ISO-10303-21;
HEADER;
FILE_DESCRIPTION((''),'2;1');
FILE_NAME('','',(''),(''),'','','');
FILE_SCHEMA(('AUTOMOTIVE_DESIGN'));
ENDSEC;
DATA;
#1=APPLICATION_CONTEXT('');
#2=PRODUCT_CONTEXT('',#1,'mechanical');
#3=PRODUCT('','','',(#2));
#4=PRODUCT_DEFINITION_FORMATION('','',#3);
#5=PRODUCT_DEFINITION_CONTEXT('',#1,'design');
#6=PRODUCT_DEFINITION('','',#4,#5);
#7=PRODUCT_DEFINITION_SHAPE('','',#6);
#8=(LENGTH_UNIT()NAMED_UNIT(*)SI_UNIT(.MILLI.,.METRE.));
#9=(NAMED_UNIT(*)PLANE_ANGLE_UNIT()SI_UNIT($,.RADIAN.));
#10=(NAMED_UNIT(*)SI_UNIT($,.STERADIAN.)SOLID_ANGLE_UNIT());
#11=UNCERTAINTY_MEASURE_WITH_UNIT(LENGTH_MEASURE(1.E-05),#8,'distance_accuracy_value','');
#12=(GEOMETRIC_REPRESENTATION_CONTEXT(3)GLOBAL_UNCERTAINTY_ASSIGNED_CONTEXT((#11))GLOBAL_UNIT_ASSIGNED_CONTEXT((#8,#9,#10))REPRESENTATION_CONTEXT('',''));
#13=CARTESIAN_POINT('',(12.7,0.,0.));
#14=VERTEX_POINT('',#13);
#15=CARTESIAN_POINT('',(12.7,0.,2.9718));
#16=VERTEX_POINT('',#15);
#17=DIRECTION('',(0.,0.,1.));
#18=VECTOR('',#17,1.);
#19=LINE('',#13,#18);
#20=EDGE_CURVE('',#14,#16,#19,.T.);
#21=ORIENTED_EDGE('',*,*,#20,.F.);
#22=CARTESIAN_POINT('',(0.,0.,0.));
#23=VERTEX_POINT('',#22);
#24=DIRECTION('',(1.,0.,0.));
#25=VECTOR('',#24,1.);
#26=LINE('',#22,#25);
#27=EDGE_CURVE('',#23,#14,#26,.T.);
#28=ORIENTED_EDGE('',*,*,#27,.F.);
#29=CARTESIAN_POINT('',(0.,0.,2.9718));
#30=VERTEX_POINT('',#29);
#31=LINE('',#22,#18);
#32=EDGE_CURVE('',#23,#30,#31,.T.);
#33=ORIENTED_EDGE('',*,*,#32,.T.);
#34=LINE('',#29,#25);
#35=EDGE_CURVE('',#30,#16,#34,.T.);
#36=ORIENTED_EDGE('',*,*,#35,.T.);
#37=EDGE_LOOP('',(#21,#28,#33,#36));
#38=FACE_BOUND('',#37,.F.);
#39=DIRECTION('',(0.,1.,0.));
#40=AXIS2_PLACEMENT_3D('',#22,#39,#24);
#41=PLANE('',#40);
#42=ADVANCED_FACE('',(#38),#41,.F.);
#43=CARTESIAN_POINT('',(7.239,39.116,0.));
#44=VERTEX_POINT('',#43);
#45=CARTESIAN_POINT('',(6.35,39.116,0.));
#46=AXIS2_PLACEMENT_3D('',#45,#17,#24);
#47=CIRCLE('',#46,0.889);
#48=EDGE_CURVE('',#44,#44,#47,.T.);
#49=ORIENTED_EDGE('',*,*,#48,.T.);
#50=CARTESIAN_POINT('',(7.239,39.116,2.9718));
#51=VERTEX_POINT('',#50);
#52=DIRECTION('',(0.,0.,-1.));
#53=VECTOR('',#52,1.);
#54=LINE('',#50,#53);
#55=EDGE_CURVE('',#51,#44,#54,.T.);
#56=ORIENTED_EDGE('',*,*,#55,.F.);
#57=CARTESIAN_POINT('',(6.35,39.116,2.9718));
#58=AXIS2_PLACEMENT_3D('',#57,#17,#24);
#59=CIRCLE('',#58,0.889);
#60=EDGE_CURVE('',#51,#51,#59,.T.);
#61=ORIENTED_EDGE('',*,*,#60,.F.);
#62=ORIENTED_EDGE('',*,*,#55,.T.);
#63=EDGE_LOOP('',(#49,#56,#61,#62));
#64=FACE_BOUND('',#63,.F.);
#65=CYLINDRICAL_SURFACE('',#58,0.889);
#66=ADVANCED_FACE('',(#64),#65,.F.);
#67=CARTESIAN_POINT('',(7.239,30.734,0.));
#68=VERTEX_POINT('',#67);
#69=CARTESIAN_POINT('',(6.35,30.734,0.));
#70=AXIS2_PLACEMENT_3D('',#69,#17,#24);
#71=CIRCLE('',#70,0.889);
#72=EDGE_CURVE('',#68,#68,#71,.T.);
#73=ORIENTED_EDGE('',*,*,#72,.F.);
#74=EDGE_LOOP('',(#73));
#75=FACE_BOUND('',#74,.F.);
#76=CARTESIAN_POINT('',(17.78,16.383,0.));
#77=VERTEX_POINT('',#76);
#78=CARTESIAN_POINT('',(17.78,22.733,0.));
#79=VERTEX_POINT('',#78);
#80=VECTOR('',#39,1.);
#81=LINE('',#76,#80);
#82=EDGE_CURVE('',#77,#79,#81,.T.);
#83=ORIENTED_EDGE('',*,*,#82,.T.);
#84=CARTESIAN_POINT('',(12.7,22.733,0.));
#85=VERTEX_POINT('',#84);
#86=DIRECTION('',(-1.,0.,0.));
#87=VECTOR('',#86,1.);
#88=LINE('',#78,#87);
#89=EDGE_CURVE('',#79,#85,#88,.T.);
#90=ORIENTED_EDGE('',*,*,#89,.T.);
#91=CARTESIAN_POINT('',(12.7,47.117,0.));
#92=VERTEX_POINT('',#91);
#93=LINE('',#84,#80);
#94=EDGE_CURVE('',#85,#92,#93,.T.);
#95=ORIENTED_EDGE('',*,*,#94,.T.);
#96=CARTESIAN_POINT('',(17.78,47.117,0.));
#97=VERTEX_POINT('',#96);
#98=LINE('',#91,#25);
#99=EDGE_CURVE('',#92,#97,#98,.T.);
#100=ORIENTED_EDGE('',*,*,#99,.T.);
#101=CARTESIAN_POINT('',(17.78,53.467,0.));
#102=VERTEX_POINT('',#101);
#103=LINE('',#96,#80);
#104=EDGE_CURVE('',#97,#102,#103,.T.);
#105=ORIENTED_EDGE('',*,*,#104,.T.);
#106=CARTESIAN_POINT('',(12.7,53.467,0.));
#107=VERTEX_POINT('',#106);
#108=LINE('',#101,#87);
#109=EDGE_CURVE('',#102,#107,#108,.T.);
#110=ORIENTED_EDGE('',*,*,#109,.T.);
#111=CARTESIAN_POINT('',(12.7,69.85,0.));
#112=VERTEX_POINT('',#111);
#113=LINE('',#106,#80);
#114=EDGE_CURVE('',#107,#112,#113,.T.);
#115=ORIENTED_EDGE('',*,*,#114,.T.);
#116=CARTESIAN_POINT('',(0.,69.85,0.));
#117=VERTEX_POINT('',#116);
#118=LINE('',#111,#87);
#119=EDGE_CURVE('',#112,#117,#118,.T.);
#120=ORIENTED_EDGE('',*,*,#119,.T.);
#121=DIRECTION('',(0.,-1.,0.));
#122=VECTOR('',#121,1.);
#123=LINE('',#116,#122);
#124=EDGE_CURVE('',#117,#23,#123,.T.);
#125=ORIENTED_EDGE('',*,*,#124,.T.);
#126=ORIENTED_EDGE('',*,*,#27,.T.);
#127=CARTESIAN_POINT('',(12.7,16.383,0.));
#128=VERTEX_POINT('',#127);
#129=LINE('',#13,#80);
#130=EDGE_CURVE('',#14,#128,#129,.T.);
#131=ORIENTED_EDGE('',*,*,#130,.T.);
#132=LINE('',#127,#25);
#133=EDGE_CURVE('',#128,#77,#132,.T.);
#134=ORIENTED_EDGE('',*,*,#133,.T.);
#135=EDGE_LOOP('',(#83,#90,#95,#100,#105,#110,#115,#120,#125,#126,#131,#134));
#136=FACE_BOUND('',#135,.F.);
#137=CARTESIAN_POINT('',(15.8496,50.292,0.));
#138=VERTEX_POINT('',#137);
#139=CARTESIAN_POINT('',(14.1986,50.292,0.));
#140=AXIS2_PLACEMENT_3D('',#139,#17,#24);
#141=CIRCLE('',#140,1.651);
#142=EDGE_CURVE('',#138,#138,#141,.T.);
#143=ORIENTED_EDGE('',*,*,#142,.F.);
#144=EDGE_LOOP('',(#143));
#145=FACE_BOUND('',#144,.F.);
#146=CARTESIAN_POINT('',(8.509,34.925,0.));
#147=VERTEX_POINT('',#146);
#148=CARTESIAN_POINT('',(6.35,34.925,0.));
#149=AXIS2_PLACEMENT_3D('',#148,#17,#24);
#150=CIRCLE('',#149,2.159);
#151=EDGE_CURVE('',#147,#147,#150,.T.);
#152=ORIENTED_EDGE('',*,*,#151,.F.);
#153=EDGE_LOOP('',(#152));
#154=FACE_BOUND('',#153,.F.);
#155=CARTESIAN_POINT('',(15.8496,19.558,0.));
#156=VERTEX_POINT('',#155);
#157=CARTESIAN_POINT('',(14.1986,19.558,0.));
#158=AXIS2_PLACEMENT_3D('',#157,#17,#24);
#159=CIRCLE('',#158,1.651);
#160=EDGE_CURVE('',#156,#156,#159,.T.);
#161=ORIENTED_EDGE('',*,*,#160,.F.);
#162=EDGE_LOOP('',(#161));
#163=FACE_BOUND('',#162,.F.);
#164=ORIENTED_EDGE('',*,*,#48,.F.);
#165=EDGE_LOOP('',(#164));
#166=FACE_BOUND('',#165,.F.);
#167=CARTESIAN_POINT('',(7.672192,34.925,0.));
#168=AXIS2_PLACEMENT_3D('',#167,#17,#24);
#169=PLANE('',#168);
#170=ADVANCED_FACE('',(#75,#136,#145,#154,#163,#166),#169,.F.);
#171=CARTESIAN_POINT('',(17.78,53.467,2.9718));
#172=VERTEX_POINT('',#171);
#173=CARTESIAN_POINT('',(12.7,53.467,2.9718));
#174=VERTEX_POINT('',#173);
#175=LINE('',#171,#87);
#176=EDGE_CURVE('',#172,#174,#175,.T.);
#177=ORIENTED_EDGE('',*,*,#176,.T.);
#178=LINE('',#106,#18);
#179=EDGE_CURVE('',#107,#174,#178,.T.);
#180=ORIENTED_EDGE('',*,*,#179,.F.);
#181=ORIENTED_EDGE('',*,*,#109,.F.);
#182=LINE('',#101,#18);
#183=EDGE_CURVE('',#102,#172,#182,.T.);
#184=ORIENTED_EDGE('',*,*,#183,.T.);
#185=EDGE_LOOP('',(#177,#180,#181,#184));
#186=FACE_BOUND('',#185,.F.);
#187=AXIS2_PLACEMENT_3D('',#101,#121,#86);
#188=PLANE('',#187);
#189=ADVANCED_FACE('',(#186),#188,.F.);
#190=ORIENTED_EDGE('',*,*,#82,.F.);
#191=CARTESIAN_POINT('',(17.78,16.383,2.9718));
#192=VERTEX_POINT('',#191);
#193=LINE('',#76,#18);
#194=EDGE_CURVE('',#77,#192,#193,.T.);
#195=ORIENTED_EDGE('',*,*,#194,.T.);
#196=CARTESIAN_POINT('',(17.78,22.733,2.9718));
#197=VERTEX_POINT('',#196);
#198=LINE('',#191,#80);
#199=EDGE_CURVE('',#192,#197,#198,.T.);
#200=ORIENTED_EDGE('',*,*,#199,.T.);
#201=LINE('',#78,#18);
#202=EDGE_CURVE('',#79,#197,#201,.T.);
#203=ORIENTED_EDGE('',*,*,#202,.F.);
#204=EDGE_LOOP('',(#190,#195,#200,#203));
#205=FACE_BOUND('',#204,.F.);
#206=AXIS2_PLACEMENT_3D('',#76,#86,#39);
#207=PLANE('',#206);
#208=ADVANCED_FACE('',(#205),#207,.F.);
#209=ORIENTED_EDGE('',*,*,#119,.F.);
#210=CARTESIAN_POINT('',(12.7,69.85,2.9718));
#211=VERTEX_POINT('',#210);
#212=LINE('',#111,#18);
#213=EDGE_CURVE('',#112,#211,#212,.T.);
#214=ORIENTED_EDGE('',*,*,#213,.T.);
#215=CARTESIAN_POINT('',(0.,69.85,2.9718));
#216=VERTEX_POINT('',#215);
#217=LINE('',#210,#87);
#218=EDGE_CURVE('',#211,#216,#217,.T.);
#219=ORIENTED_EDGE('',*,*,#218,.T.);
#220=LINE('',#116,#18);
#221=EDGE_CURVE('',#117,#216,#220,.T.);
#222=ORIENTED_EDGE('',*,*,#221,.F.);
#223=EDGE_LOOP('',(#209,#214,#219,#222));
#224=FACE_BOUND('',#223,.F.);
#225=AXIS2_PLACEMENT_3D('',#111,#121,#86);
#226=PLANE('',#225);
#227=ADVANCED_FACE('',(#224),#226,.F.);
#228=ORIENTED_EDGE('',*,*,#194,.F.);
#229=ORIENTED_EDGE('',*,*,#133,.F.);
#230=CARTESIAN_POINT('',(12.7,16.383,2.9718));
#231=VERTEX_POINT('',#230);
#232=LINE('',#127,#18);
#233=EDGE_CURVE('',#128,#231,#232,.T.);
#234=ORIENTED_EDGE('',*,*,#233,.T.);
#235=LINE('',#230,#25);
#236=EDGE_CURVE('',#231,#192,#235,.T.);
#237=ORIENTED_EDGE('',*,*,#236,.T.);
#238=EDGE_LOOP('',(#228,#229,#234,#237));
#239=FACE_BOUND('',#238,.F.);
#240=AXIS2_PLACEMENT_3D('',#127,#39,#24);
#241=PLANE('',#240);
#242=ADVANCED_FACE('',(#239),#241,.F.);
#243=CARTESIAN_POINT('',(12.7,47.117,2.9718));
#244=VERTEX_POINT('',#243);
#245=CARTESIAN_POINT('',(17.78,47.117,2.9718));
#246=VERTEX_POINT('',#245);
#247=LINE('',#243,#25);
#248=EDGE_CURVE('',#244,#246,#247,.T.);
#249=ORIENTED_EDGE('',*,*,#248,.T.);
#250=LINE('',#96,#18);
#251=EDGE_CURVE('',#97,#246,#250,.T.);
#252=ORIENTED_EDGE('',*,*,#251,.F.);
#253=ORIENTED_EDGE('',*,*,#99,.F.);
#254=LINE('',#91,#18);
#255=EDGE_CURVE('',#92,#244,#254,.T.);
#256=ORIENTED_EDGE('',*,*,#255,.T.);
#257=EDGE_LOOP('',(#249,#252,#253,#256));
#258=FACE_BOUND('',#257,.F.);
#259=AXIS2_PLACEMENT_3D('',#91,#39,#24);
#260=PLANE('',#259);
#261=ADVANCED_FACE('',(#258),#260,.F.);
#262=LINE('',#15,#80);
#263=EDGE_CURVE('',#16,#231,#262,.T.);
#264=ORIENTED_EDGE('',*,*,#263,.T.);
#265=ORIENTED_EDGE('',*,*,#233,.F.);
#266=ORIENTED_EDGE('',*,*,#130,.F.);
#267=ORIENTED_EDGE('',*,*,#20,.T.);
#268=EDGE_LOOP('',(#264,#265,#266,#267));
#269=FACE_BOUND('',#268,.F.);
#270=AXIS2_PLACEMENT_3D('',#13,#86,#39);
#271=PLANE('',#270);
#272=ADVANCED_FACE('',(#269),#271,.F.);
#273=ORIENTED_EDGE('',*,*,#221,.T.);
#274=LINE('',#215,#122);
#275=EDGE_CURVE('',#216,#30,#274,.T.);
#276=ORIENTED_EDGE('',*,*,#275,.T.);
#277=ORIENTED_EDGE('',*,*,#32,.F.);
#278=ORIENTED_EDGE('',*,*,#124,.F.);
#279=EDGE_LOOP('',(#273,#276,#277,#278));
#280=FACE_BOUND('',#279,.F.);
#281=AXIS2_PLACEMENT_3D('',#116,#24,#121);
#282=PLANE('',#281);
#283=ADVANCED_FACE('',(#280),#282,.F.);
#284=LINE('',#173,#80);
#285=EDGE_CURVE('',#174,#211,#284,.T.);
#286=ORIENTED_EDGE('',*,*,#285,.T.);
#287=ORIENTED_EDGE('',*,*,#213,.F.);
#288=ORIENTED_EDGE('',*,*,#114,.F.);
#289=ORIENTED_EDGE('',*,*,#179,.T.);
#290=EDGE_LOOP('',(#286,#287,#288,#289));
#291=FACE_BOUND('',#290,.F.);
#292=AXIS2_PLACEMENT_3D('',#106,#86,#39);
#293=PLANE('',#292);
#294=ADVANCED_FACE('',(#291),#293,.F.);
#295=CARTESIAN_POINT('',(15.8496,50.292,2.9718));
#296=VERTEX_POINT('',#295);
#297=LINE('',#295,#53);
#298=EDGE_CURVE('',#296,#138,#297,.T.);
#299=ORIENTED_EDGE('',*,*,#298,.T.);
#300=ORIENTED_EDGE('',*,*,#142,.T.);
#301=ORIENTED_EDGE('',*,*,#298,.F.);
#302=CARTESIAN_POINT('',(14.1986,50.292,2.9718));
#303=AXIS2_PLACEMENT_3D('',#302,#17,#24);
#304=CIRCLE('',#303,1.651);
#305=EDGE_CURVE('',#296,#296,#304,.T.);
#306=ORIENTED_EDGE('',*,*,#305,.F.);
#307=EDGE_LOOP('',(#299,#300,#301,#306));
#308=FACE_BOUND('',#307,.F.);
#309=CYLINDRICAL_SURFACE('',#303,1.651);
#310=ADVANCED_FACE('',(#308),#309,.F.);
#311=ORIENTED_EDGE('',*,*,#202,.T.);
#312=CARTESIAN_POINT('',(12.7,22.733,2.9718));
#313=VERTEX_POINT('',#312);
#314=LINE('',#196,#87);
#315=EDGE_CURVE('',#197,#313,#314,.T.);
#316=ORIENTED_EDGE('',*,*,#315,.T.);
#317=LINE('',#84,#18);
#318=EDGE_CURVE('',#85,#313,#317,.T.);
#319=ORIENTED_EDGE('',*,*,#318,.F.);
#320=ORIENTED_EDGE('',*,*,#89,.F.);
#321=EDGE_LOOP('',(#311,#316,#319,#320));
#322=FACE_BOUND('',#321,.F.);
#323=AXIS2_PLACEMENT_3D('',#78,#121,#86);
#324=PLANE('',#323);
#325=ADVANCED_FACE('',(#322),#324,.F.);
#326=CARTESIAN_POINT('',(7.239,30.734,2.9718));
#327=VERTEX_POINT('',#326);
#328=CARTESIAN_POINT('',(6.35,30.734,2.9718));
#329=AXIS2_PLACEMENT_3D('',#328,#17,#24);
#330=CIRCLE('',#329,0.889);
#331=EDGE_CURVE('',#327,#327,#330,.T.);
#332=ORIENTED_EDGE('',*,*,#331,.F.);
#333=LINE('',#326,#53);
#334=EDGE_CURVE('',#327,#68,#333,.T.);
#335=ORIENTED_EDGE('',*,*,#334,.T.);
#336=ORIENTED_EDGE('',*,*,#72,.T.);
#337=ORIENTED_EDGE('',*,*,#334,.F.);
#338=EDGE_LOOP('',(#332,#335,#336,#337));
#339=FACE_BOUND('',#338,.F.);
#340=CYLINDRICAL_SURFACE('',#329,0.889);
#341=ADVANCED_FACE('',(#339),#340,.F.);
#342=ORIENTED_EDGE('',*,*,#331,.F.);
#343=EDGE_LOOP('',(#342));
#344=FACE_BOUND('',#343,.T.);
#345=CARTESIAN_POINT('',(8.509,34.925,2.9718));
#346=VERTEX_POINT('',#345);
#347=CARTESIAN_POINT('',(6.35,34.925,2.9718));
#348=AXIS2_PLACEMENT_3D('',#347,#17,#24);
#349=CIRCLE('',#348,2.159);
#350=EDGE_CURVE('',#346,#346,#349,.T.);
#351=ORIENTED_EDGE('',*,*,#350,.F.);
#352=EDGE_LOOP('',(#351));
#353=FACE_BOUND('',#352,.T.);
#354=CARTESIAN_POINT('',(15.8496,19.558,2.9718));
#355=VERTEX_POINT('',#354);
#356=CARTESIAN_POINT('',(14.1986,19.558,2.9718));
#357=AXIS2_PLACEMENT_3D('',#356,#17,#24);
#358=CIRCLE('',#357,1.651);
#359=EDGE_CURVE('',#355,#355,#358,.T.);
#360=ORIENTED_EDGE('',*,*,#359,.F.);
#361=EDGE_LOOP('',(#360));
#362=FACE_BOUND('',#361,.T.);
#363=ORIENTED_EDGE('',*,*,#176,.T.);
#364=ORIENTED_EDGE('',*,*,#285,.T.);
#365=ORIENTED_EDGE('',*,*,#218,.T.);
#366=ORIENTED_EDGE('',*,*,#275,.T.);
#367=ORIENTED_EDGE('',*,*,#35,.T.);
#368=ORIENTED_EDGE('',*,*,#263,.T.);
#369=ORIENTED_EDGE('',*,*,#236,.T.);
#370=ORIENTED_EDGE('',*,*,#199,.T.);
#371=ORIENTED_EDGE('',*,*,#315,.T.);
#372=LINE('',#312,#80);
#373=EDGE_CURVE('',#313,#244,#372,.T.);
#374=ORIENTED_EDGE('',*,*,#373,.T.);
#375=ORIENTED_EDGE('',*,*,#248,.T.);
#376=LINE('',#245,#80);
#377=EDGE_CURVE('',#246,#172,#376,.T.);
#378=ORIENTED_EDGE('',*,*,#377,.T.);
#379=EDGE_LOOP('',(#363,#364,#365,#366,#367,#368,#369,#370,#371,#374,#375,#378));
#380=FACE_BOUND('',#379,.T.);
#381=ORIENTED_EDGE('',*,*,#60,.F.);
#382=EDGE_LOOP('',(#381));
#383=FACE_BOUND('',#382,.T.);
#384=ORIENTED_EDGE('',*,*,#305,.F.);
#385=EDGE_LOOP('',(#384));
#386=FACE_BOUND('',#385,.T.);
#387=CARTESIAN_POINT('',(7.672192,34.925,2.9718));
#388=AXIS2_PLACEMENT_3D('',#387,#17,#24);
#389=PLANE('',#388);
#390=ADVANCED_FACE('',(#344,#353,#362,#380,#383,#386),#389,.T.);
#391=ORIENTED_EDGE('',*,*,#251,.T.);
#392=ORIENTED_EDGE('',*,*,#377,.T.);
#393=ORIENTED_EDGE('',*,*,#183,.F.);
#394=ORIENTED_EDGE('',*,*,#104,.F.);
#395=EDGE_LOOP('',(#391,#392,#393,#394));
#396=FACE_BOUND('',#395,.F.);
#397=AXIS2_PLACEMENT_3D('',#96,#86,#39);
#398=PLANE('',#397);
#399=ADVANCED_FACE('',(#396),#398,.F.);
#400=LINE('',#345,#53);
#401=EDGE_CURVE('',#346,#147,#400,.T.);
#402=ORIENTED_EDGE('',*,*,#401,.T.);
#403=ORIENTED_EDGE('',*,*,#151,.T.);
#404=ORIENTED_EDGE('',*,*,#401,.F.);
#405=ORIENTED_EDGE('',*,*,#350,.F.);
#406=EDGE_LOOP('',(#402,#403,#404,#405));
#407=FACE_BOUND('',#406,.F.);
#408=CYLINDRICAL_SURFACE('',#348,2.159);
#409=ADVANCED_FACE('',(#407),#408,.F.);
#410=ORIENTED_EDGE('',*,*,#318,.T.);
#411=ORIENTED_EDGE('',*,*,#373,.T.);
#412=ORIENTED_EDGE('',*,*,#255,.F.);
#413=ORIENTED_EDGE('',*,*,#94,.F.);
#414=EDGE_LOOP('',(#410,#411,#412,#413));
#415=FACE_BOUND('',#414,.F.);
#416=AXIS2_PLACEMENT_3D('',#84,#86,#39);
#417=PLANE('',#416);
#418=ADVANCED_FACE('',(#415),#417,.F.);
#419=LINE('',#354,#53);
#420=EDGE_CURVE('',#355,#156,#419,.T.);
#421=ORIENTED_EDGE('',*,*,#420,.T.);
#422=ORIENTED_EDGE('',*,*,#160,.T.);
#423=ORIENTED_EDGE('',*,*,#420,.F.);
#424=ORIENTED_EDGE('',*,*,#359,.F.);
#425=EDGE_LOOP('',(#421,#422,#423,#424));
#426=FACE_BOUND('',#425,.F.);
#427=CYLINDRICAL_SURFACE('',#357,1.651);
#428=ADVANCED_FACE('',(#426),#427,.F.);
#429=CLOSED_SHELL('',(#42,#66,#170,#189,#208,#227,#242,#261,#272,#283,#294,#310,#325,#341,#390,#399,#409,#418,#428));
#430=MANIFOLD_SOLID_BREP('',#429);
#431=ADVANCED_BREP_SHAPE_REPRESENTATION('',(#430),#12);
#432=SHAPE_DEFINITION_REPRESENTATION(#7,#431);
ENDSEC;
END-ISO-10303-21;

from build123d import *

# Parameters (mm, degrees)
F1_DEPTH = 2.9718
F2_R     = 1.651
F2_R_2   = 2.159
F2_R_3   = 0.889
F3_DEPTH = 25.4


with BuildPart() as f1:
    # F0 (on Top) → F1 (new body)
    with BuildSketch(Plane.XY):
        Polygon((0, 69.85), (0, 0), (12.7, 0), (12.7, 16.383), (17.78, 16.383), (17.78, 22.733), (12.7, 22.733), (12.7, 47.117), (17.78, 47.117), (17.78, 53.467), (12.7, 53.467), (12.7, 69.85), align=None)
    extrude(amount=F1_DEPTH)

    # F2 (on face) → F3 (cut)
    with BuildSketch(Plane.XY.offset(2.9718)):
        with Locations((14.1986, 50.292)):
            Circle(F2_R)
        with Locations((14.1986, 19.558)):
            Circle(F2_R)
        with Locations((6.35, 34.925)):
            Circle(F2_R_2)
        with Locations((6.35, 39.116)):
            Circle(F2_R_3)
        with Locations((6.35, 30.734)):
            Circle(F2_R_3)
    extrude(amount=-F3_DEPTH, mode=Mode.SUBTRACT)


solid = f1.part
